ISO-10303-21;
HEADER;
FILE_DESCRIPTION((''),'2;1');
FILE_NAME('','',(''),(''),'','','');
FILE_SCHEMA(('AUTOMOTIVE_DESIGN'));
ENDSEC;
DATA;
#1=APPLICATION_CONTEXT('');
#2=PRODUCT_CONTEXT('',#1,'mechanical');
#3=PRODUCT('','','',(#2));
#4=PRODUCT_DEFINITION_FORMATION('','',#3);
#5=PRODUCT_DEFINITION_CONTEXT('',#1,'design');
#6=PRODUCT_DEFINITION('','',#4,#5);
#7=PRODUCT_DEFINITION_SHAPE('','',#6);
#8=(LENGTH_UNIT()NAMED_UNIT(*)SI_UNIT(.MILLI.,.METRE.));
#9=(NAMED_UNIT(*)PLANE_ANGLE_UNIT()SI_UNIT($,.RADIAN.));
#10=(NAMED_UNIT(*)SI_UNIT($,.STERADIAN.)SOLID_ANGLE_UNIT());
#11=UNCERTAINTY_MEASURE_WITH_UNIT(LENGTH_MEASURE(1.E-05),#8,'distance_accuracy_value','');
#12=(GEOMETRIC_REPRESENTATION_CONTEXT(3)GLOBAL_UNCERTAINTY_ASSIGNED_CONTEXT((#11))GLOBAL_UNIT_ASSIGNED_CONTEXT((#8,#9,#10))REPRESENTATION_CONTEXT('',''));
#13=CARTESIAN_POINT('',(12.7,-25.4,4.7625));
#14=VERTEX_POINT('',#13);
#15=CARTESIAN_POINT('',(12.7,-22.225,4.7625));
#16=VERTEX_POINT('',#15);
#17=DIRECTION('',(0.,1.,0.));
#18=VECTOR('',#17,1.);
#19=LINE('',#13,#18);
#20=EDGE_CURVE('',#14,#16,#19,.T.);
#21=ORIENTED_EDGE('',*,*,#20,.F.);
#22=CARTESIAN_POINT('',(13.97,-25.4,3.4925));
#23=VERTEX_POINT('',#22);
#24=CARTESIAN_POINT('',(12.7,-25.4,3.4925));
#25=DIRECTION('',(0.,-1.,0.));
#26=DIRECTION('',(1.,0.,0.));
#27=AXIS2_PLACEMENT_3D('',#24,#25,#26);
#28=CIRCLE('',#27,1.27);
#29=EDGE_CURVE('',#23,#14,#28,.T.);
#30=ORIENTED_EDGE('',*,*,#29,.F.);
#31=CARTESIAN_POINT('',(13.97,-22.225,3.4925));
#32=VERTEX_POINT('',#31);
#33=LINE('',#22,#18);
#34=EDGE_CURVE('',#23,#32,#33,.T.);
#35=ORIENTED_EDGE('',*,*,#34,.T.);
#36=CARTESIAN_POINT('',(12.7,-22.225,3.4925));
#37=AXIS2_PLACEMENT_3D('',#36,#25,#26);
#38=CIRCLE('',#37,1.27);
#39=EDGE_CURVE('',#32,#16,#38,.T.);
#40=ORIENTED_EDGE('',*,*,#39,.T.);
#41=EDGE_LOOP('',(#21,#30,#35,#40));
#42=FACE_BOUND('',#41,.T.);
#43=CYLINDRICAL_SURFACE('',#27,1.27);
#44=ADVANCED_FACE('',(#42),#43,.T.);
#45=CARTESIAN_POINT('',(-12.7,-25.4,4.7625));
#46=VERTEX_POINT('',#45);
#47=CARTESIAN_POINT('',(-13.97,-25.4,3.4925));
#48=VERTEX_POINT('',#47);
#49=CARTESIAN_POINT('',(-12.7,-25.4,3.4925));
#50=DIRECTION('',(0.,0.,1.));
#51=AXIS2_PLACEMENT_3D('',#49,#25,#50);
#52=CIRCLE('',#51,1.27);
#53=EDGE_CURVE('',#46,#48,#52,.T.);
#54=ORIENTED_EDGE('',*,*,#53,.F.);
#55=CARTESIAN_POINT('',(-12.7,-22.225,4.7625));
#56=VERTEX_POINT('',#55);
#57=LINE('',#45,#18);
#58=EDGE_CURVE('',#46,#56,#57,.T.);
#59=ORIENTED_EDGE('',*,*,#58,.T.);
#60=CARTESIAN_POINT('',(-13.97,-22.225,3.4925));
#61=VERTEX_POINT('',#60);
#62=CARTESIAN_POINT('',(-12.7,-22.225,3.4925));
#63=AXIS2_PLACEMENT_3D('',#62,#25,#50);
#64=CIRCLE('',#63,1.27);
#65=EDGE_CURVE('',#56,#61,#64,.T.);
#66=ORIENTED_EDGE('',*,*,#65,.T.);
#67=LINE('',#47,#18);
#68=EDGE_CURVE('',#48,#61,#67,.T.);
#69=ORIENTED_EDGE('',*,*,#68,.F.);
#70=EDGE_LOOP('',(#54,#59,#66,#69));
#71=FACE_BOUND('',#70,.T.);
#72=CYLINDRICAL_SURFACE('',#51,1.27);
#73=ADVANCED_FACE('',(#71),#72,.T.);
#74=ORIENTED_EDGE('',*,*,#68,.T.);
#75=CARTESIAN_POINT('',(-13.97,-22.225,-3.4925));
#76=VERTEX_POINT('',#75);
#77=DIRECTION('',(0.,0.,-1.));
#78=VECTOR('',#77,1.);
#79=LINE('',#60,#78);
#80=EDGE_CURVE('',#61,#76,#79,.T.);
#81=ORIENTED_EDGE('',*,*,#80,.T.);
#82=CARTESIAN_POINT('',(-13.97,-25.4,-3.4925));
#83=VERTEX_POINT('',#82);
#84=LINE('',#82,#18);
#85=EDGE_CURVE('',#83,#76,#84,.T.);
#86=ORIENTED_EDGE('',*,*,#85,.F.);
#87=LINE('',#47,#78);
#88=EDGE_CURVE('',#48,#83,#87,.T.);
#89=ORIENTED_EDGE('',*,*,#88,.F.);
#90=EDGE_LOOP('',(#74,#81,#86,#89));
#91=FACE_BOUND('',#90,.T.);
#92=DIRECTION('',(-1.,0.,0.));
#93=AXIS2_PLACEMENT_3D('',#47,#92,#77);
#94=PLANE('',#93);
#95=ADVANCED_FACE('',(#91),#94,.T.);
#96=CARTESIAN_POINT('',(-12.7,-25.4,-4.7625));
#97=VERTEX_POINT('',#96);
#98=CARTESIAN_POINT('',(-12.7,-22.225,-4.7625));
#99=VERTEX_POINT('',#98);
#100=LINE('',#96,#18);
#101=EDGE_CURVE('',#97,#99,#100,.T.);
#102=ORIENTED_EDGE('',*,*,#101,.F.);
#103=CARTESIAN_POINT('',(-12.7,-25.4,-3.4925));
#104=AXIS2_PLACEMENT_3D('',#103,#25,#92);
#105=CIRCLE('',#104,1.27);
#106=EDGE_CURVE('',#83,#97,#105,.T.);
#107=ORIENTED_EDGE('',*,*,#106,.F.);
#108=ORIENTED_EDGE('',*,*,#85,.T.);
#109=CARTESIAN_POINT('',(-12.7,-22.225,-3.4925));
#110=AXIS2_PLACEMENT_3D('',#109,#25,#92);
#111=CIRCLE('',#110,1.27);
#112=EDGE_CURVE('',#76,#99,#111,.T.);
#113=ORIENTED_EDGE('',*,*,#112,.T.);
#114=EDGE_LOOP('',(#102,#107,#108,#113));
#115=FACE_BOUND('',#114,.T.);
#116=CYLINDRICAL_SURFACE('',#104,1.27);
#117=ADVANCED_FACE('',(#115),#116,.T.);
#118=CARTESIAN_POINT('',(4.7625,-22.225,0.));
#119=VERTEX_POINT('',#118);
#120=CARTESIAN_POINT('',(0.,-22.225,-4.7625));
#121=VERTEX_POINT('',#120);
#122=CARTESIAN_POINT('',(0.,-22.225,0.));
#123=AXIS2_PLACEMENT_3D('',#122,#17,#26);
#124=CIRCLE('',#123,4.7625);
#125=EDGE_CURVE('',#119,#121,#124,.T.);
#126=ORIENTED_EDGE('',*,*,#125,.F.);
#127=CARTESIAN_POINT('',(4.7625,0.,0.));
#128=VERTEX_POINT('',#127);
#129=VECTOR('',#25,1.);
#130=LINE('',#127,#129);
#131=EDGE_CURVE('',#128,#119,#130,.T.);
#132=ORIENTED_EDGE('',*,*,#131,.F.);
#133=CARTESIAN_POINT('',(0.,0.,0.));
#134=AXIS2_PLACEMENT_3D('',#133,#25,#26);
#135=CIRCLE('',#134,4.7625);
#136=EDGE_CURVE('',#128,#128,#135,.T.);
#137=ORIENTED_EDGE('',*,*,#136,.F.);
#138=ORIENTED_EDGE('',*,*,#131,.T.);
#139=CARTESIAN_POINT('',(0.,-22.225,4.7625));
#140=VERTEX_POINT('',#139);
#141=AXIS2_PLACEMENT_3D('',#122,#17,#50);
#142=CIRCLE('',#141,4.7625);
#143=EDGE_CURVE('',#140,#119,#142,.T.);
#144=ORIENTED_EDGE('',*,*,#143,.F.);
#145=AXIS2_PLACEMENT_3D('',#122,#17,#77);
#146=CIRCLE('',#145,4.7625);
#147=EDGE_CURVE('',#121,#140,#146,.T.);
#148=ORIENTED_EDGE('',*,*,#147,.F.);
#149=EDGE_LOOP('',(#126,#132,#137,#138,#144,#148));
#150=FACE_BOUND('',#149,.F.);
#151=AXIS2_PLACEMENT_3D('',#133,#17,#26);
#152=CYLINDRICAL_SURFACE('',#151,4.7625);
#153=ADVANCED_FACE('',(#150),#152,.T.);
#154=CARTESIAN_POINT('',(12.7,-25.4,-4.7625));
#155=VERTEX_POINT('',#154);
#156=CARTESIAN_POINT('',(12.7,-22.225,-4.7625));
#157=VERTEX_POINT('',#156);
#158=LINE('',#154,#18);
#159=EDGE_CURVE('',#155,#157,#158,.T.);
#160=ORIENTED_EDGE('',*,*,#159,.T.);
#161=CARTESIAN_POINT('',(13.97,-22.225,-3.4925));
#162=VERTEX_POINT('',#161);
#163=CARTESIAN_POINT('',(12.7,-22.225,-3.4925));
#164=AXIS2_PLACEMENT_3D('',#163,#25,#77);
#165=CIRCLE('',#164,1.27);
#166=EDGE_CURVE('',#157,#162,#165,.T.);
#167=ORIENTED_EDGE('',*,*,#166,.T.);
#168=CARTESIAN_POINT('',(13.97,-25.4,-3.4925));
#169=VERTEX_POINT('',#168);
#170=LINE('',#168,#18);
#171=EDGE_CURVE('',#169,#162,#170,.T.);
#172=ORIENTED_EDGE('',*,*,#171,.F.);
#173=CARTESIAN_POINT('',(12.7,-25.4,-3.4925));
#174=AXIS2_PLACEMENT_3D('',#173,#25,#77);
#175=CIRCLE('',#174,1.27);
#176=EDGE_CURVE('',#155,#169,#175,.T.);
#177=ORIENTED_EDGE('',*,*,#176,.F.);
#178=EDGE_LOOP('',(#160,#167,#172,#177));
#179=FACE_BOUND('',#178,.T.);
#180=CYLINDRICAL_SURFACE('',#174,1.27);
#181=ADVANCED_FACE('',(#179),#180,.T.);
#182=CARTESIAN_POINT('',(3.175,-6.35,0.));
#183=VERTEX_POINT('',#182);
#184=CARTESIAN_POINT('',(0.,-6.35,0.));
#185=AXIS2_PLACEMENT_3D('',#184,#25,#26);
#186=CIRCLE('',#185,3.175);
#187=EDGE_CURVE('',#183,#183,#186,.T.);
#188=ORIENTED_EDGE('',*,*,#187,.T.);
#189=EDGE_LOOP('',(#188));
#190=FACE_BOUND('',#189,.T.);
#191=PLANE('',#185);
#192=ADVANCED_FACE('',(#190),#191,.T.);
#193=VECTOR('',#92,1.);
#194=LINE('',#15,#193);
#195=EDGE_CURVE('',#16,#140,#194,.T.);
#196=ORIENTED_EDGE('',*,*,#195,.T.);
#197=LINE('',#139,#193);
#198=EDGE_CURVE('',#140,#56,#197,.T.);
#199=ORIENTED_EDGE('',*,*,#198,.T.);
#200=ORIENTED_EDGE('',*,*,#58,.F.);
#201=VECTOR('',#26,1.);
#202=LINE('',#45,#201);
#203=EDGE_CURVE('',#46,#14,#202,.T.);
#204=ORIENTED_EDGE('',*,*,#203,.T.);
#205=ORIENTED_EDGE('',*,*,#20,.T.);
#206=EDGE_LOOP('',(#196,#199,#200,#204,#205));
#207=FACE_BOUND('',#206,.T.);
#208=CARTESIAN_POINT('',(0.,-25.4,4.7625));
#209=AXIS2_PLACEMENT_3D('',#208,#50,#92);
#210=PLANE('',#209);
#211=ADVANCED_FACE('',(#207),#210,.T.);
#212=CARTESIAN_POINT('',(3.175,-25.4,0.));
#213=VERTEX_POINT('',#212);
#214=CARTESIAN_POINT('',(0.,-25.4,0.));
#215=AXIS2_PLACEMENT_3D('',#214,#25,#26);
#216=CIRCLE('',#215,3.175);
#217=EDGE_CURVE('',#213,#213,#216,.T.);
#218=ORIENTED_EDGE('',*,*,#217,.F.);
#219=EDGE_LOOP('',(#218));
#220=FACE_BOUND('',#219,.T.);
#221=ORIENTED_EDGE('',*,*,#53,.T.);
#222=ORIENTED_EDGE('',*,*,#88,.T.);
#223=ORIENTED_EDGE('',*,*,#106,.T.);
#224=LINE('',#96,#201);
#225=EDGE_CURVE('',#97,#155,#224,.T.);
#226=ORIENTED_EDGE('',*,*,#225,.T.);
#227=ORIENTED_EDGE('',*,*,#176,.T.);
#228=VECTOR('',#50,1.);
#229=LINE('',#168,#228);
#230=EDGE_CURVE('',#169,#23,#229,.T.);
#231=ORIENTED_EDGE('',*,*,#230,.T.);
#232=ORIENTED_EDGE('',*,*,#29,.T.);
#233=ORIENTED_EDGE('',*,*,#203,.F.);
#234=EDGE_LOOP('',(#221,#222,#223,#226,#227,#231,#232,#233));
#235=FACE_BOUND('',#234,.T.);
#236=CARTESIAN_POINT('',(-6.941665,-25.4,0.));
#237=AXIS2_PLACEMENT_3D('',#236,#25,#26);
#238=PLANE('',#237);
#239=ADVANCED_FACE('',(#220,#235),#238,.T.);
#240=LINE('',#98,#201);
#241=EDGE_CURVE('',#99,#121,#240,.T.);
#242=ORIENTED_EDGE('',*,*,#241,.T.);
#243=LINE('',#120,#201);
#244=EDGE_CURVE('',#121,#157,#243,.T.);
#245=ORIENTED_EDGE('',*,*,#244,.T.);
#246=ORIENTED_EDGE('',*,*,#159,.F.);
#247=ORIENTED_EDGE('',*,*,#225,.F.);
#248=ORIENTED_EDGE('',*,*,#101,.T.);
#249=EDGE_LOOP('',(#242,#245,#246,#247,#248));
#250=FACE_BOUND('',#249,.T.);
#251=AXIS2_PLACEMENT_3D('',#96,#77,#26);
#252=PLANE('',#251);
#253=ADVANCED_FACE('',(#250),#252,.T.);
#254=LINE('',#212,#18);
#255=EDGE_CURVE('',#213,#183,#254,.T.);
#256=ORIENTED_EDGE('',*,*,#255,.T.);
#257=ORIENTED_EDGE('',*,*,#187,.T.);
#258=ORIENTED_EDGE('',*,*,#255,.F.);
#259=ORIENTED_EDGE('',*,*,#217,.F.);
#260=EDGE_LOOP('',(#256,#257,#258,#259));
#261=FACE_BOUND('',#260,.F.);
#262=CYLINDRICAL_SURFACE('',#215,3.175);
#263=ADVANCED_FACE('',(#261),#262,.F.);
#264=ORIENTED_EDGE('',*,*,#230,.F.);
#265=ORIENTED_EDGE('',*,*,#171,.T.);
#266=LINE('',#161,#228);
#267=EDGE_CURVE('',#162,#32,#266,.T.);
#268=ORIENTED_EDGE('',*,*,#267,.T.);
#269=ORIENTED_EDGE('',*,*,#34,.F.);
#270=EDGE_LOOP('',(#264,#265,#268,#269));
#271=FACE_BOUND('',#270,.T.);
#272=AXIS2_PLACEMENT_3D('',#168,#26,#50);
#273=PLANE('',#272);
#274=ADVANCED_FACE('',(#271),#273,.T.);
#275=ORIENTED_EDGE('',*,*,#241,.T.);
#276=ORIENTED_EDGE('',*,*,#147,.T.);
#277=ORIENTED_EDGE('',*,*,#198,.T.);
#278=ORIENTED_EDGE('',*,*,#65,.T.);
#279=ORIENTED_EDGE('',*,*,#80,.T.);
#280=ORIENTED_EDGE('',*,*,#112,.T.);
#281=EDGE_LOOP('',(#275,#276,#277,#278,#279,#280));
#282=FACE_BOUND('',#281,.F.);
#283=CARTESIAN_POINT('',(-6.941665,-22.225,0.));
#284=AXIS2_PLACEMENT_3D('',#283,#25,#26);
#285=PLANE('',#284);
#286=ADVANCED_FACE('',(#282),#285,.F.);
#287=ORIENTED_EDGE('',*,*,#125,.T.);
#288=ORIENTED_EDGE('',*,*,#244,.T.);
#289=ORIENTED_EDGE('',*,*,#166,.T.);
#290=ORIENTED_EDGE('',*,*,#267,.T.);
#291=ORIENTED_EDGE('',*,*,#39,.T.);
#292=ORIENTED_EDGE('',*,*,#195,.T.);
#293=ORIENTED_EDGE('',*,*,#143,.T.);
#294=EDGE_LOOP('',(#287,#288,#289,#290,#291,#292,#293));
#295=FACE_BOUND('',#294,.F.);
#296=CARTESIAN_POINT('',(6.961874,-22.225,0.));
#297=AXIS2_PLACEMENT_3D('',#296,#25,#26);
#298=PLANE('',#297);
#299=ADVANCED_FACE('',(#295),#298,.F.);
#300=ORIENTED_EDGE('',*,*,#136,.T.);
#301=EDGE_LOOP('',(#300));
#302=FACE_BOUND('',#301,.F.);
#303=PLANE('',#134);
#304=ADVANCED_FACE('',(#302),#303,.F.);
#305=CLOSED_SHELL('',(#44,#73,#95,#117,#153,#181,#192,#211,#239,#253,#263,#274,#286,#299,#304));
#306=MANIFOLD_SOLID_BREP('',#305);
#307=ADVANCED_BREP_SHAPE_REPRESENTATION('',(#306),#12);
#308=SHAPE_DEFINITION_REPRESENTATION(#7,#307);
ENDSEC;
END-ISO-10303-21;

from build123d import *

# Parameters (mm, degrees)
F0_R     = 4.7625
F1_DEPTH = 25.4
F2_R     = 3.175
F3_DEPTH = 19.05
F5_DEPTH = 3.175


with BuildPart() as f1:
    # F0 (on Front) → F1 (new body)
    with BuildSketch(Plane.XZ):
        Circle(F0_R)
    extrude(amount=F1_DEPTH)

    # F2 (on face) → F3 (cut)
    with BuildSketch(Plane.XZ.offset(25.4)):
        Circle(F2_R)
    extrude(amount=-F3_DEPTH, mode=Mode.SUBTRACT)

    # F4 (on face) → F5 (join)
    with BuildSketch(Plane.XZ.offset(25.4)):
        with BuildLine():
            ThreePointArc((0, -4.7625), (-4.7625, 0), (0, 4.7625))
            Line((0, 4.7625), (-12.7, 4.7625))
            ThreePointArc((-12.7, 4.7625), (-13.5980256121, 4.3905256121), (-13.97, 3.4925))
            Line((-13.97, 3.4925), (-13.97, -3.4925))
            ThreePointArc((-13.97, -3.4925), (-13.5980256121, -4.3905256121), (-12.7, -4.7625))
            Line((-12.7, -4.7625), (0, -4.7625))
        make_face()
        with BuildLine():
            Line((12.7, 4.7625), (0, 4.7625))
            ThreePointArc((0, 4.7625), (3.3675960454, 3.3675960454), (4.7625, 0))
            ThreePointArc((4.7625, 0), (3.3675960454, -3.3675960454), (0, -4.7625))
            Line((0, -4.7625), (12.7, -4.7625))
            ThreePointArc((12.7, -4.7625), (13.5980256121, -4.3905256121), (13.97, -3.4925))
            Line((13.97, -3.4925), (13.97, 3.4925))
            ThreePointArc((13.97, 3.4925), (13.5980256121, 4.3905256121), (12.7, 4.7625))
        make_face()
    extrude(amount=-F5_DEPTH)


solid = f1.part
